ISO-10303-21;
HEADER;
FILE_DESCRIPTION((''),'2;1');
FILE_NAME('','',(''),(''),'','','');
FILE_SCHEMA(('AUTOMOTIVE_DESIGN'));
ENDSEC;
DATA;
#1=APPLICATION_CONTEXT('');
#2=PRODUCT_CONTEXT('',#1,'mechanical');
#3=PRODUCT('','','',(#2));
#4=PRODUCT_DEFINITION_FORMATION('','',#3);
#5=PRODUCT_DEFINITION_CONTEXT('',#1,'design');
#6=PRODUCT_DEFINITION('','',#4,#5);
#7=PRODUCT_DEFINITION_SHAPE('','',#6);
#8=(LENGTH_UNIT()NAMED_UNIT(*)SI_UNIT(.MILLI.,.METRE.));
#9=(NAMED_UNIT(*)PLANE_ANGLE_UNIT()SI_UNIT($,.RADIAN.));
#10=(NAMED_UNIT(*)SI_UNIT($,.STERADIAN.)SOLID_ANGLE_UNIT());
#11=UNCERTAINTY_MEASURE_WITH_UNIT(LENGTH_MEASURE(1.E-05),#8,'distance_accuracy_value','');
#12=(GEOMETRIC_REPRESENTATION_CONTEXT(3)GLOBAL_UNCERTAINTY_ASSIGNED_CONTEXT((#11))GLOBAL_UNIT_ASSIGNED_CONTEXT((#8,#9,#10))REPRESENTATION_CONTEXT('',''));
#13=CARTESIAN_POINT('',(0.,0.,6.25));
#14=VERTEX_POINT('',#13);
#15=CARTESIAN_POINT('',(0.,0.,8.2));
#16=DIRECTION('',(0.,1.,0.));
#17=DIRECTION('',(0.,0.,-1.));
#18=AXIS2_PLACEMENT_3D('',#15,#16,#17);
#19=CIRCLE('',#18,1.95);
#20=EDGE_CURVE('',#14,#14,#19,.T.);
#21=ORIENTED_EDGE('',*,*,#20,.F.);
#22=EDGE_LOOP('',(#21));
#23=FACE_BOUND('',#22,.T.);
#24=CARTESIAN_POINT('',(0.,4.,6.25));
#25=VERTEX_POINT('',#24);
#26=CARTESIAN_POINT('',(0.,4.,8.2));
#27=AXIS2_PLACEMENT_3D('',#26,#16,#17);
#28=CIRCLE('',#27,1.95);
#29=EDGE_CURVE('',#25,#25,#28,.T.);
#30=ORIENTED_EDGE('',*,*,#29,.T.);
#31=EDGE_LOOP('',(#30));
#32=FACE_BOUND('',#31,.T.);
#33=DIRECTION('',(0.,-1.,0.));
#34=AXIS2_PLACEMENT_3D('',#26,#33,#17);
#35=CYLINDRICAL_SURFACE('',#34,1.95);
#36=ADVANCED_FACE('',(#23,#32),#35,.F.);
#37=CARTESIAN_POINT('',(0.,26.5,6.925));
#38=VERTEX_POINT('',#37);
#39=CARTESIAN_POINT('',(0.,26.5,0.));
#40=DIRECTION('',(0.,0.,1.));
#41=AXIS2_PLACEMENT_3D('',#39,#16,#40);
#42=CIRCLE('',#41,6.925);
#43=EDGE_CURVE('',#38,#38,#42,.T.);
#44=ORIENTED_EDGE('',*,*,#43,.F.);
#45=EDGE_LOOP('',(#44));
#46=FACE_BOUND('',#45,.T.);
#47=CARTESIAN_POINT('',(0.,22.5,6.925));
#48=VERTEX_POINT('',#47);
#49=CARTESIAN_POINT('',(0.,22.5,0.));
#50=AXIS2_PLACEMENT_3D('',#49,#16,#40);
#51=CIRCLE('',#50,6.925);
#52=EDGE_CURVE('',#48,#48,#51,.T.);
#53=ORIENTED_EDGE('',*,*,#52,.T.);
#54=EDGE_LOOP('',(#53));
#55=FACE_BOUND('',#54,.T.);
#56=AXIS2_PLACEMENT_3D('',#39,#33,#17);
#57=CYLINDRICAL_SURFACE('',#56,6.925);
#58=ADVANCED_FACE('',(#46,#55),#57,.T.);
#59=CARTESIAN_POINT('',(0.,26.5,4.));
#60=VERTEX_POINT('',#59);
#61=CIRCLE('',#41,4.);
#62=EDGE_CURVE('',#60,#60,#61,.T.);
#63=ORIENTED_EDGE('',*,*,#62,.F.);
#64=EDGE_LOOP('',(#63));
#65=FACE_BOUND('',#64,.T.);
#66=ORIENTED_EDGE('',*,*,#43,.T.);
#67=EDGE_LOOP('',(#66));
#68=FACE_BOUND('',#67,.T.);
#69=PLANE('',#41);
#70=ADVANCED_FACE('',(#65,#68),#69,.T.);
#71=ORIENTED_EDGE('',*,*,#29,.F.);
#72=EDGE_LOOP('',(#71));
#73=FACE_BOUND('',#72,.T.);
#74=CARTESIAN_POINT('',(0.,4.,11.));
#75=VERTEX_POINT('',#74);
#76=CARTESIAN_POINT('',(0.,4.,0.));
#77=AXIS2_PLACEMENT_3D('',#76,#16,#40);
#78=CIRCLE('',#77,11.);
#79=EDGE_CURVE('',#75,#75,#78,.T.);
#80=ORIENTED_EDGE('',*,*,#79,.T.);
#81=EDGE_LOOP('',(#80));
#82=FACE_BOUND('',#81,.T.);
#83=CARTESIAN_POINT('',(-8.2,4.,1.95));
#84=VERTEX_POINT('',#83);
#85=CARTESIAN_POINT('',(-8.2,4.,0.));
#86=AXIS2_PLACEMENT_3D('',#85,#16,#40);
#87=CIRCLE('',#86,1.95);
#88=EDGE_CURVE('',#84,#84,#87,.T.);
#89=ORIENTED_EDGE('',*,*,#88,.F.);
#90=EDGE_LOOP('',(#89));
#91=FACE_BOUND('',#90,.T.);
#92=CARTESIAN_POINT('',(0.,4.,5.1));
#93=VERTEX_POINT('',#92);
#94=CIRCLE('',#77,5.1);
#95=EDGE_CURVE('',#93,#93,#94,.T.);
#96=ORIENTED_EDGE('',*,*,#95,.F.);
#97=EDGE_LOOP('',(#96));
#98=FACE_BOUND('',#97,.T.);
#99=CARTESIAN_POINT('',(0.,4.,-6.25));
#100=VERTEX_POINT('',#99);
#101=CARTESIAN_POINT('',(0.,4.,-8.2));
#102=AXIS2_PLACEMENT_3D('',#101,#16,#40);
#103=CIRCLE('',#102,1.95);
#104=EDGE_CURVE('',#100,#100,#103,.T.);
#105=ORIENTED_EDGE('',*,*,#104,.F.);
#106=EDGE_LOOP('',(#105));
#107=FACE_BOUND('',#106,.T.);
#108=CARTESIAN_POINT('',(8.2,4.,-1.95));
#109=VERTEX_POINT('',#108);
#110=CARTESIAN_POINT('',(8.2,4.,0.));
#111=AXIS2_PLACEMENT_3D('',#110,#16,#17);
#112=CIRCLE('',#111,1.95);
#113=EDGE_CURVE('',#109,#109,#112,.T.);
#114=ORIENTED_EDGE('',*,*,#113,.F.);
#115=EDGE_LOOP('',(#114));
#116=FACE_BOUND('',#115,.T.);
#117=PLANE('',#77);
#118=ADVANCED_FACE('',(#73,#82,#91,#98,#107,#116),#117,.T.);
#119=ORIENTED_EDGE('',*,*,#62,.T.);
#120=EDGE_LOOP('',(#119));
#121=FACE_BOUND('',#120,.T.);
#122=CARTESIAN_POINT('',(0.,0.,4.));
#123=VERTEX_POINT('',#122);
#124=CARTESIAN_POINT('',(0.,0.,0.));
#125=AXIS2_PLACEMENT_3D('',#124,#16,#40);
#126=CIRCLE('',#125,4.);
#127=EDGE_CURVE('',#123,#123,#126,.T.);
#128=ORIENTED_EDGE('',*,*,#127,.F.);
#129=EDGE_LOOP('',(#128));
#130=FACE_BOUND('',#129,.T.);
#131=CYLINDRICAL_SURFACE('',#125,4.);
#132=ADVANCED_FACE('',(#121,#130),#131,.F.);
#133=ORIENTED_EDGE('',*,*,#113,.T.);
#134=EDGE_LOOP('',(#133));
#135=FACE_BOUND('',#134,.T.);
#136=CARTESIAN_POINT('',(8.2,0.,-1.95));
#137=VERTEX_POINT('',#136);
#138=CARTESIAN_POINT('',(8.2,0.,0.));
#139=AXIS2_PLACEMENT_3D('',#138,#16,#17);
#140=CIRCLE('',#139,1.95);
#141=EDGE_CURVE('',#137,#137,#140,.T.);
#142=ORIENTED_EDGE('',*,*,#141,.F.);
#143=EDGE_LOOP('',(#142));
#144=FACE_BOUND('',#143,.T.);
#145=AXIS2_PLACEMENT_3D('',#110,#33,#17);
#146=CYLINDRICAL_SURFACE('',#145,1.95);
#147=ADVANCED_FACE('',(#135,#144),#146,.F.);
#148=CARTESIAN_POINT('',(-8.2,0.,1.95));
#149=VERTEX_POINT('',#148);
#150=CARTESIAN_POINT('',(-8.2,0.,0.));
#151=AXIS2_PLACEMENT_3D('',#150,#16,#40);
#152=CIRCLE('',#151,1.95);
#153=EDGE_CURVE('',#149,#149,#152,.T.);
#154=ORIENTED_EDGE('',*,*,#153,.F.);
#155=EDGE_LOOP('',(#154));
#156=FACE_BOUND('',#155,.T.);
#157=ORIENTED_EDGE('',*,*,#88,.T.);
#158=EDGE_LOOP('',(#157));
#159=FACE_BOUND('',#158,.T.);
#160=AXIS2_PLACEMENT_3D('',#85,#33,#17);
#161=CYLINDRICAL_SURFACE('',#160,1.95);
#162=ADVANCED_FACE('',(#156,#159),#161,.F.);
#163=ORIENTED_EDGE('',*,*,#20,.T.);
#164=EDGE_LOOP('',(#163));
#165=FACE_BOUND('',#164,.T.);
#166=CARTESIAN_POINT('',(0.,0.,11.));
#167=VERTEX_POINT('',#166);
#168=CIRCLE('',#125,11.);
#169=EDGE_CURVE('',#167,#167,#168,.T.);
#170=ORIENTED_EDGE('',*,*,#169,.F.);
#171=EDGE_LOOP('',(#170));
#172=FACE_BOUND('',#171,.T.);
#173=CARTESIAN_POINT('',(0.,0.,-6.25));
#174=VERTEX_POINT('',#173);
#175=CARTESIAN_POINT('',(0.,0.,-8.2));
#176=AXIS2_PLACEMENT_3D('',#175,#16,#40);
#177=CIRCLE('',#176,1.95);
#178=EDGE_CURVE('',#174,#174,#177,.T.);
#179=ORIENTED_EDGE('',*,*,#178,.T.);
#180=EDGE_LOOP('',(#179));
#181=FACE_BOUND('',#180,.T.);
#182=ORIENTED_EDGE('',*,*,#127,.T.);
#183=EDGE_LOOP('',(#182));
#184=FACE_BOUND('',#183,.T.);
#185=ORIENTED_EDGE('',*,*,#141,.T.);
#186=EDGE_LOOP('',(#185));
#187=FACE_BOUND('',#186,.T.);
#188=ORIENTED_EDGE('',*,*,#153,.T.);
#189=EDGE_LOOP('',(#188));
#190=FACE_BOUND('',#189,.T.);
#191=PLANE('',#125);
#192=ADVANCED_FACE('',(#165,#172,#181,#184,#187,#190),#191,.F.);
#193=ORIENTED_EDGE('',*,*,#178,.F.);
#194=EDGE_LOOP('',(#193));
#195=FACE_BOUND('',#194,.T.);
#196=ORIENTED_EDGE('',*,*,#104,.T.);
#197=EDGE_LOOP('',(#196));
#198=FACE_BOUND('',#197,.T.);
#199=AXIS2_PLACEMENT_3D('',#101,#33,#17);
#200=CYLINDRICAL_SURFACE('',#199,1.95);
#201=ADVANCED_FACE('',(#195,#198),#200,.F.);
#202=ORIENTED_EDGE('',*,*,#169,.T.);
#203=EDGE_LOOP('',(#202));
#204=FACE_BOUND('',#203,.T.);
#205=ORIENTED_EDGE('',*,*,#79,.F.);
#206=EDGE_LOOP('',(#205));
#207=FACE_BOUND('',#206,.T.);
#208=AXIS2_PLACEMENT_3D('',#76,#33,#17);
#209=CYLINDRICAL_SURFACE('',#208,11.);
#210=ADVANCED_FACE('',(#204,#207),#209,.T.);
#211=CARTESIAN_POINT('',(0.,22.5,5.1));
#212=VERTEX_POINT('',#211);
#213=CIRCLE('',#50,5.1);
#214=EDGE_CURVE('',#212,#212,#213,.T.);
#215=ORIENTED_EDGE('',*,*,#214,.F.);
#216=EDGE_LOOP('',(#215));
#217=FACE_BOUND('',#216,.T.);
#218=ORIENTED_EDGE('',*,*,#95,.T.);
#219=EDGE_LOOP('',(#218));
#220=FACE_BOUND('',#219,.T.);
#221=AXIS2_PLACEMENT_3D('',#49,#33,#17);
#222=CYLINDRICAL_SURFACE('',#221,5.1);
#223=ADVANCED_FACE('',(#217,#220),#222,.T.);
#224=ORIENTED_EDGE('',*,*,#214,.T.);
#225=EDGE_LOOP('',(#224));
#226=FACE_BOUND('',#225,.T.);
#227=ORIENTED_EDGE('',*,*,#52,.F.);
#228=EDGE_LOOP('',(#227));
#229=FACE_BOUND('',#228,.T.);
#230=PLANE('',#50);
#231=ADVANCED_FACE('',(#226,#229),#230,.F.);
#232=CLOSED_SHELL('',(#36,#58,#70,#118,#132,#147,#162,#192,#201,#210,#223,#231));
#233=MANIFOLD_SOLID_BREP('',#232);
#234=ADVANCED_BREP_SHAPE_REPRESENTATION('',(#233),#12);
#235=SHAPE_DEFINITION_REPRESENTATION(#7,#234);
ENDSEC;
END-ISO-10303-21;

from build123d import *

# Parameters (mm, degrees)
SKETCH1_R           = 11
SKETCH1_R_2         = 1.95
BOSS_EXTRUDE1_DEPTH = 4
SKETCH2_R           = 5.1
BOSS_EXTRUDE2_DEPTH = 18.5
SKETCH3_R           = 6.925
BOSS_EXTRUDE3_DEPTH = 4
SKETCH4_R           = 4
CUT_EXTRUDE1_DEPTH  = 31.728651126


with BuildPart() as part:
    # Sketch1 → Boss-Extrude1 (new body)
    with BuildSketch(Plane(origin=(0, 0, 0), x_dir=(1, 0, 0), z_dir=(0, 1, 0))):
        with Locations(Location((0, 0, 0), (0, 0, 270))):
            Circle(SKETCH1_R)
        with Locations(Location((-8.2, 0, 0), (0, 0, 270))):
            Circle(SKETCH1_R_2, mode=Mode.SUBTRACT)
        with Locations(Location((8.2, 0, 0), (0, 0, 90))):
            Circle(SKETCH1_R_2, mode=Mode.SUBTRACT)
        with Locations(Location((0, 8.2, 0), (0, 0, 270))):
            Circle(SKETCH1_R_2, mode=Mode.SUBTRACT)
        with Locations(Location((0, -8.2, 0), (0, 0, 90))):
            Circle(SKETCH1_R_2, mode=Mode.SUBTRACT)
    extrude(amount=BOSS_EXTRUDE1_DEPTH)

    # Sketch2 → Boss-Extrude2 (add)
    with BuildSketch(Plane(origin=(0, 4, 0), x_dir=(1, 0, 0), z_dir=(0, 1, 0))):
        with Locations(Location((0, 0, 0), (0, 0, 270))):
            Circle(SKETCH2_R)
    extrude(amount=BOSS_EXTRUDE2_DEPTH)

    # Sketch3 → Boss-Extrude3 (add)
    with BuildSketch(Plane(origin=(0, 22.5, 0), x_dir=(1, 0, 0), z_dir=(0, 1, 0))):
        with Locations(Location((0, 0, 0), (0, 0, 270))):
            Circle(SKETCH3_R)
    extrude(amount=BOSS_EXTRUDE3_DEPTH)

    # Sketch4 → Cut-Extrude1 (cut, through all)
    with BuildSketch(Plane(origin=(0, 26.5, 0), x_dir=(1, 0, 0), z_dir=(0, 1, 0))):
        with Locations(Location((0, 0, 0), (0, 0, 270))):
            Circle(SKETCH4_R)
    extrude(amount=-CUT_EXTRUDE1_DEPTH, mode=Mode.SUBTRACT)


solid = part.part
